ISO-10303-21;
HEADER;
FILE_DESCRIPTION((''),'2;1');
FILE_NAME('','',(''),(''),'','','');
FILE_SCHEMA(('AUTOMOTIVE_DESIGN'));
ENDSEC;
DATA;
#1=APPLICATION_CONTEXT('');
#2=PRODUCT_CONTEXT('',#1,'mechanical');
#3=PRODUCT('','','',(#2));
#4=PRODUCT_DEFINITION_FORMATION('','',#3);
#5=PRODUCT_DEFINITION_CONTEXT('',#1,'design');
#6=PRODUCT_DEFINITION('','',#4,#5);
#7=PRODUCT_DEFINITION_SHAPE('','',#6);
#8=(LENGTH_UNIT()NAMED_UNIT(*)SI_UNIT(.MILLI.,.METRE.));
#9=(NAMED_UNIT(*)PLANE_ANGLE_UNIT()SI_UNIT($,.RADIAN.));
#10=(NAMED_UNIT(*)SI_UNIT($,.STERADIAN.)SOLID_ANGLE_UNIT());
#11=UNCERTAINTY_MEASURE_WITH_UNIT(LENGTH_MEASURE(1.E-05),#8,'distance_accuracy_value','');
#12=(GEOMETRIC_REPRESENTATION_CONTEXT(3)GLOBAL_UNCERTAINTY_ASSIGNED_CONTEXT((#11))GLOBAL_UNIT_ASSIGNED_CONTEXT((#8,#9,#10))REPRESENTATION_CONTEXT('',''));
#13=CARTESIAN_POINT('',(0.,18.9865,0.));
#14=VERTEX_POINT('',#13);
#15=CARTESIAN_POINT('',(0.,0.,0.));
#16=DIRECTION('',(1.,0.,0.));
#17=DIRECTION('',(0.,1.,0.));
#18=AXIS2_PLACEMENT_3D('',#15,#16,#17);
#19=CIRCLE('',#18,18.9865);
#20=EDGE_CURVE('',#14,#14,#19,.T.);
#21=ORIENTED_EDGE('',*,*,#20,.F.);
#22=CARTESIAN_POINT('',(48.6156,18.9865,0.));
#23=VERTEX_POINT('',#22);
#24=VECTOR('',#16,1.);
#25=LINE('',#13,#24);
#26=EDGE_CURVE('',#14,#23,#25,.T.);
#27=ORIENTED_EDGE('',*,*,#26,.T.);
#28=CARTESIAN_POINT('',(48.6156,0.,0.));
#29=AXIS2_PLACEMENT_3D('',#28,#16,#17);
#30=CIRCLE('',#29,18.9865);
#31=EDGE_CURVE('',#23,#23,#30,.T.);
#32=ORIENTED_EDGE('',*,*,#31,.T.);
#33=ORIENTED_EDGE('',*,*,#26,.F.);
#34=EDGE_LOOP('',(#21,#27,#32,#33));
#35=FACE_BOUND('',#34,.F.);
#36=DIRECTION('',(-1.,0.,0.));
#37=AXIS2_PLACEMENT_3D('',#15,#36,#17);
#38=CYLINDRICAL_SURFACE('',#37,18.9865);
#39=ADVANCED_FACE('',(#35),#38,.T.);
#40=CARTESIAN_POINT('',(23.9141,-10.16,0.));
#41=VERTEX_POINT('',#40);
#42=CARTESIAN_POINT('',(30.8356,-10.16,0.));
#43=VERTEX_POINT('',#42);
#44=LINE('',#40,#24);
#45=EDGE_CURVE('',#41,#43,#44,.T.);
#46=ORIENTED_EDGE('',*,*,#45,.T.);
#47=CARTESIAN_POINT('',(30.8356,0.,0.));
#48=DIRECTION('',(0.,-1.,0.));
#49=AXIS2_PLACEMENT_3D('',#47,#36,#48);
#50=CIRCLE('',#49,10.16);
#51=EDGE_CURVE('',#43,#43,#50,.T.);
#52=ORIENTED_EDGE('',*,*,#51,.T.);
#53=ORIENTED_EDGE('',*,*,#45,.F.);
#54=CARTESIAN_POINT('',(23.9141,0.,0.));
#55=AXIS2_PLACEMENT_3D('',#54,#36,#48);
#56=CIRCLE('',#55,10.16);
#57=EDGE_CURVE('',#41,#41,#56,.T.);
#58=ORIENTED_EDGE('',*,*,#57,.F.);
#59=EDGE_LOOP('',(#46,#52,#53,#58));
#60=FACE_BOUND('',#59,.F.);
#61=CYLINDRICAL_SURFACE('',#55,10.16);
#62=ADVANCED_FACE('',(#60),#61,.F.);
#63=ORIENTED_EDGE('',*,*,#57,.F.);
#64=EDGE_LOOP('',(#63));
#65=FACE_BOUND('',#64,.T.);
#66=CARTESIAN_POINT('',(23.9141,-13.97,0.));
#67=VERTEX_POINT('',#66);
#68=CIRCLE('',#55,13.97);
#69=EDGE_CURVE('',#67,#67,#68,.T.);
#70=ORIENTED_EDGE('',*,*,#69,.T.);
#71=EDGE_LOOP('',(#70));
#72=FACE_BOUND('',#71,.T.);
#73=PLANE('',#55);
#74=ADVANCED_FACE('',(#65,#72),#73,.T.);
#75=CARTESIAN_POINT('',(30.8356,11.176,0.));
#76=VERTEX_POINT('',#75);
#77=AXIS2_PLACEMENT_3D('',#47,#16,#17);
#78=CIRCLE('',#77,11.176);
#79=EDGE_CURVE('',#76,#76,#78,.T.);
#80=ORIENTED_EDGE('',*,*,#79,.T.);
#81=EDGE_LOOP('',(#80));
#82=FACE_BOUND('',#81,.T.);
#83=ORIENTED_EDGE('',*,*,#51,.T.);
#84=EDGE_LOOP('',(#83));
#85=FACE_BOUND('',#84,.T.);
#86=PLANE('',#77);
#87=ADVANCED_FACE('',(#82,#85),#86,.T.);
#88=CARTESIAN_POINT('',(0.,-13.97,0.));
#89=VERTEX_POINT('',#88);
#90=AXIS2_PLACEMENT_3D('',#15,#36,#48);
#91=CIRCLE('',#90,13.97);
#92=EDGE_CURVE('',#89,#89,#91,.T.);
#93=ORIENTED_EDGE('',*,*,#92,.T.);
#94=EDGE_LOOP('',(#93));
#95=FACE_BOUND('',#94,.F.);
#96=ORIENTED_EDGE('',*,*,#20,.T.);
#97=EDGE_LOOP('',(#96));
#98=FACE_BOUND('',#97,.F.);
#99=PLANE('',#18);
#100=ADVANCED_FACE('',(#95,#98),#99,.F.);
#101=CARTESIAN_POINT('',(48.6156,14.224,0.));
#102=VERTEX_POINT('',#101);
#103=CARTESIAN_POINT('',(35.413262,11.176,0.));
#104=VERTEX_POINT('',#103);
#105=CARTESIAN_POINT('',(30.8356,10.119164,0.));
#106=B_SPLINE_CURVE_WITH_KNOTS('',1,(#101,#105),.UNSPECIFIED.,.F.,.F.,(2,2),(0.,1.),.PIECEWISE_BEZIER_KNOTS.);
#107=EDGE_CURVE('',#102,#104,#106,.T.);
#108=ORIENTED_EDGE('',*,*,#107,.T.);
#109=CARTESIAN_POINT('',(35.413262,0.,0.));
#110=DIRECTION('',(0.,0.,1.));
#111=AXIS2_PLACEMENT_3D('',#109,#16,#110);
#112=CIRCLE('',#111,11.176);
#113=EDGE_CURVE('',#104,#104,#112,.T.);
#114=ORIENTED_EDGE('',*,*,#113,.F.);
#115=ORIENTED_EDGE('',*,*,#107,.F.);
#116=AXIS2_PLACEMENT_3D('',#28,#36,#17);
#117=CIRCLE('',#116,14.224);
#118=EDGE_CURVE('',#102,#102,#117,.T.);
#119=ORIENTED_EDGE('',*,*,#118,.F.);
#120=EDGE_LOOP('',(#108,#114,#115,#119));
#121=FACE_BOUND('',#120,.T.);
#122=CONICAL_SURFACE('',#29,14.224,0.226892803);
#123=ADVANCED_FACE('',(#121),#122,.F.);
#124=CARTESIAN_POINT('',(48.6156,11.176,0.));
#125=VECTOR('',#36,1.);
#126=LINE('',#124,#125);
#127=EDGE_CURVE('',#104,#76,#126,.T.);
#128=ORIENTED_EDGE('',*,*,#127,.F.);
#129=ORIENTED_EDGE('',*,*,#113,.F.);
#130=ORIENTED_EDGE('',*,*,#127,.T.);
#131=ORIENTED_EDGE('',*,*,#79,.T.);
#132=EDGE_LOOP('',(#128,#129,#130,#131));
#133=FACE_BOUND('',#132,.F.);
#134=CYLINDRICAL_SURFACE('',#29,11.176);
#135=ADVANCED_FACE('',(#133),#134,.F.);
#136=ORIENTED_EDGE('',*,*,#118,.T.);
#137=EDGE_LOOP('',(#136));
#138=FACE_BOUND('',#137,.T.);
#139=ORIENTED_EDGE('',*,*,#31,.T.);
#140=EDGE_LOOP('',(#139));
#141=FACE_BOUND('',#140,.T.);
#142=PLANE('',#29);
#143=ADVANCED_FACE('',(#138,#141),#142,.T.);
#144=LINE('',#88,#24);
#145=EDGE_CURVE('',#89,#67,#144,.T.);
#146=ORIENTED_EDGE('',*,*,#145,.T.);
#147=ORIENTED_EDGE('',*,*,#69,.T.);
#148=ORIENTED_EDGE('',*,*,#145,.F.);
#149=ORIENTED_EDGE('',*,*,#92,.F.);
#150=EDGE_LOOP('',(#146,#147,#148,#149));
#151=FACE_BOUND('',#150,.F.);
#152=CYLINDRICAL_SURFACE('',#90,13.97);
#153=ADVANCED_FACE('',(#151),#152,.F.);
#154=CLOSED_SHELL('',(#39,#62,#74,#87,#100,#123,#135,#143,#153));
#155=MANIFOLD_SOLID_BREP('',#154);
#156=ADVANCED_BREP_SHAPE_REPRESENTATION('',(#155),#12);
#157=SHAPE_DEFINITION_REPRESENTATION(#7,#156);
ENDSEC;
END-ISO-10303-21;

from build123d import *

# Parameters (mm, degrees)
F0_R     = 18.9865
F1_DEPTH = 48.6156
F2_R     = 13.97
F3_DEPTH = 23.9141
F4_R     = 10.16
F5_DEPTH = 24.7025
F6_R     = 11.176
F7_DEPTH = 17.78
F8_R     = 14.224
F9_DEPTH = 17.78
F9_TAPER = 13


with BuildPart() as f1:
    # F0 (on Right) → F1 (new body)
    with BuildSketch(Plane.YZ):
        Circle(F0_R)
    extrude(amount=F1_DEPTH)

    # F2 (on face) → F3 (cut)
    with BuildSketch(Plane(origin=(0, 0, 0), x_dir=(0, -1, 0), z_dir=(-1, 0, 0))):
        Circle(F2_R)
    extrude(amount=-F3_DEPTH, mode=Mode.SUBTRACT)

    # F4 (on face) → F5 (cut, through all)
    with BuildSketch(Plane(origin=(23.9141, 0, 0), x_dir=(0, -1, 0), z_dir=(-1, 0, 0))):
        Circle(F4_R)
    extrude(amount=-F5_DEPTH, mode=Mode.SUBTRACT)

    # F6 (on face) → F7 (cut)
    with BuildSketch(Plane.YZ.offset(48.6156)):
        Circle(F6_R)
    extrude(amount=-F7_DEPTH, mode=Mode.SUBTRACT)

    # F8 (on face) → F9 (cut)
    with BuildSketch(Plane.YZ.offset(48.6156)):
        Circle(F8_R)
    extrude(amount=-F9_DEPTH, taper=F9_TAPER, mode=Mode.SUBTRACT)


solid = f1.part
